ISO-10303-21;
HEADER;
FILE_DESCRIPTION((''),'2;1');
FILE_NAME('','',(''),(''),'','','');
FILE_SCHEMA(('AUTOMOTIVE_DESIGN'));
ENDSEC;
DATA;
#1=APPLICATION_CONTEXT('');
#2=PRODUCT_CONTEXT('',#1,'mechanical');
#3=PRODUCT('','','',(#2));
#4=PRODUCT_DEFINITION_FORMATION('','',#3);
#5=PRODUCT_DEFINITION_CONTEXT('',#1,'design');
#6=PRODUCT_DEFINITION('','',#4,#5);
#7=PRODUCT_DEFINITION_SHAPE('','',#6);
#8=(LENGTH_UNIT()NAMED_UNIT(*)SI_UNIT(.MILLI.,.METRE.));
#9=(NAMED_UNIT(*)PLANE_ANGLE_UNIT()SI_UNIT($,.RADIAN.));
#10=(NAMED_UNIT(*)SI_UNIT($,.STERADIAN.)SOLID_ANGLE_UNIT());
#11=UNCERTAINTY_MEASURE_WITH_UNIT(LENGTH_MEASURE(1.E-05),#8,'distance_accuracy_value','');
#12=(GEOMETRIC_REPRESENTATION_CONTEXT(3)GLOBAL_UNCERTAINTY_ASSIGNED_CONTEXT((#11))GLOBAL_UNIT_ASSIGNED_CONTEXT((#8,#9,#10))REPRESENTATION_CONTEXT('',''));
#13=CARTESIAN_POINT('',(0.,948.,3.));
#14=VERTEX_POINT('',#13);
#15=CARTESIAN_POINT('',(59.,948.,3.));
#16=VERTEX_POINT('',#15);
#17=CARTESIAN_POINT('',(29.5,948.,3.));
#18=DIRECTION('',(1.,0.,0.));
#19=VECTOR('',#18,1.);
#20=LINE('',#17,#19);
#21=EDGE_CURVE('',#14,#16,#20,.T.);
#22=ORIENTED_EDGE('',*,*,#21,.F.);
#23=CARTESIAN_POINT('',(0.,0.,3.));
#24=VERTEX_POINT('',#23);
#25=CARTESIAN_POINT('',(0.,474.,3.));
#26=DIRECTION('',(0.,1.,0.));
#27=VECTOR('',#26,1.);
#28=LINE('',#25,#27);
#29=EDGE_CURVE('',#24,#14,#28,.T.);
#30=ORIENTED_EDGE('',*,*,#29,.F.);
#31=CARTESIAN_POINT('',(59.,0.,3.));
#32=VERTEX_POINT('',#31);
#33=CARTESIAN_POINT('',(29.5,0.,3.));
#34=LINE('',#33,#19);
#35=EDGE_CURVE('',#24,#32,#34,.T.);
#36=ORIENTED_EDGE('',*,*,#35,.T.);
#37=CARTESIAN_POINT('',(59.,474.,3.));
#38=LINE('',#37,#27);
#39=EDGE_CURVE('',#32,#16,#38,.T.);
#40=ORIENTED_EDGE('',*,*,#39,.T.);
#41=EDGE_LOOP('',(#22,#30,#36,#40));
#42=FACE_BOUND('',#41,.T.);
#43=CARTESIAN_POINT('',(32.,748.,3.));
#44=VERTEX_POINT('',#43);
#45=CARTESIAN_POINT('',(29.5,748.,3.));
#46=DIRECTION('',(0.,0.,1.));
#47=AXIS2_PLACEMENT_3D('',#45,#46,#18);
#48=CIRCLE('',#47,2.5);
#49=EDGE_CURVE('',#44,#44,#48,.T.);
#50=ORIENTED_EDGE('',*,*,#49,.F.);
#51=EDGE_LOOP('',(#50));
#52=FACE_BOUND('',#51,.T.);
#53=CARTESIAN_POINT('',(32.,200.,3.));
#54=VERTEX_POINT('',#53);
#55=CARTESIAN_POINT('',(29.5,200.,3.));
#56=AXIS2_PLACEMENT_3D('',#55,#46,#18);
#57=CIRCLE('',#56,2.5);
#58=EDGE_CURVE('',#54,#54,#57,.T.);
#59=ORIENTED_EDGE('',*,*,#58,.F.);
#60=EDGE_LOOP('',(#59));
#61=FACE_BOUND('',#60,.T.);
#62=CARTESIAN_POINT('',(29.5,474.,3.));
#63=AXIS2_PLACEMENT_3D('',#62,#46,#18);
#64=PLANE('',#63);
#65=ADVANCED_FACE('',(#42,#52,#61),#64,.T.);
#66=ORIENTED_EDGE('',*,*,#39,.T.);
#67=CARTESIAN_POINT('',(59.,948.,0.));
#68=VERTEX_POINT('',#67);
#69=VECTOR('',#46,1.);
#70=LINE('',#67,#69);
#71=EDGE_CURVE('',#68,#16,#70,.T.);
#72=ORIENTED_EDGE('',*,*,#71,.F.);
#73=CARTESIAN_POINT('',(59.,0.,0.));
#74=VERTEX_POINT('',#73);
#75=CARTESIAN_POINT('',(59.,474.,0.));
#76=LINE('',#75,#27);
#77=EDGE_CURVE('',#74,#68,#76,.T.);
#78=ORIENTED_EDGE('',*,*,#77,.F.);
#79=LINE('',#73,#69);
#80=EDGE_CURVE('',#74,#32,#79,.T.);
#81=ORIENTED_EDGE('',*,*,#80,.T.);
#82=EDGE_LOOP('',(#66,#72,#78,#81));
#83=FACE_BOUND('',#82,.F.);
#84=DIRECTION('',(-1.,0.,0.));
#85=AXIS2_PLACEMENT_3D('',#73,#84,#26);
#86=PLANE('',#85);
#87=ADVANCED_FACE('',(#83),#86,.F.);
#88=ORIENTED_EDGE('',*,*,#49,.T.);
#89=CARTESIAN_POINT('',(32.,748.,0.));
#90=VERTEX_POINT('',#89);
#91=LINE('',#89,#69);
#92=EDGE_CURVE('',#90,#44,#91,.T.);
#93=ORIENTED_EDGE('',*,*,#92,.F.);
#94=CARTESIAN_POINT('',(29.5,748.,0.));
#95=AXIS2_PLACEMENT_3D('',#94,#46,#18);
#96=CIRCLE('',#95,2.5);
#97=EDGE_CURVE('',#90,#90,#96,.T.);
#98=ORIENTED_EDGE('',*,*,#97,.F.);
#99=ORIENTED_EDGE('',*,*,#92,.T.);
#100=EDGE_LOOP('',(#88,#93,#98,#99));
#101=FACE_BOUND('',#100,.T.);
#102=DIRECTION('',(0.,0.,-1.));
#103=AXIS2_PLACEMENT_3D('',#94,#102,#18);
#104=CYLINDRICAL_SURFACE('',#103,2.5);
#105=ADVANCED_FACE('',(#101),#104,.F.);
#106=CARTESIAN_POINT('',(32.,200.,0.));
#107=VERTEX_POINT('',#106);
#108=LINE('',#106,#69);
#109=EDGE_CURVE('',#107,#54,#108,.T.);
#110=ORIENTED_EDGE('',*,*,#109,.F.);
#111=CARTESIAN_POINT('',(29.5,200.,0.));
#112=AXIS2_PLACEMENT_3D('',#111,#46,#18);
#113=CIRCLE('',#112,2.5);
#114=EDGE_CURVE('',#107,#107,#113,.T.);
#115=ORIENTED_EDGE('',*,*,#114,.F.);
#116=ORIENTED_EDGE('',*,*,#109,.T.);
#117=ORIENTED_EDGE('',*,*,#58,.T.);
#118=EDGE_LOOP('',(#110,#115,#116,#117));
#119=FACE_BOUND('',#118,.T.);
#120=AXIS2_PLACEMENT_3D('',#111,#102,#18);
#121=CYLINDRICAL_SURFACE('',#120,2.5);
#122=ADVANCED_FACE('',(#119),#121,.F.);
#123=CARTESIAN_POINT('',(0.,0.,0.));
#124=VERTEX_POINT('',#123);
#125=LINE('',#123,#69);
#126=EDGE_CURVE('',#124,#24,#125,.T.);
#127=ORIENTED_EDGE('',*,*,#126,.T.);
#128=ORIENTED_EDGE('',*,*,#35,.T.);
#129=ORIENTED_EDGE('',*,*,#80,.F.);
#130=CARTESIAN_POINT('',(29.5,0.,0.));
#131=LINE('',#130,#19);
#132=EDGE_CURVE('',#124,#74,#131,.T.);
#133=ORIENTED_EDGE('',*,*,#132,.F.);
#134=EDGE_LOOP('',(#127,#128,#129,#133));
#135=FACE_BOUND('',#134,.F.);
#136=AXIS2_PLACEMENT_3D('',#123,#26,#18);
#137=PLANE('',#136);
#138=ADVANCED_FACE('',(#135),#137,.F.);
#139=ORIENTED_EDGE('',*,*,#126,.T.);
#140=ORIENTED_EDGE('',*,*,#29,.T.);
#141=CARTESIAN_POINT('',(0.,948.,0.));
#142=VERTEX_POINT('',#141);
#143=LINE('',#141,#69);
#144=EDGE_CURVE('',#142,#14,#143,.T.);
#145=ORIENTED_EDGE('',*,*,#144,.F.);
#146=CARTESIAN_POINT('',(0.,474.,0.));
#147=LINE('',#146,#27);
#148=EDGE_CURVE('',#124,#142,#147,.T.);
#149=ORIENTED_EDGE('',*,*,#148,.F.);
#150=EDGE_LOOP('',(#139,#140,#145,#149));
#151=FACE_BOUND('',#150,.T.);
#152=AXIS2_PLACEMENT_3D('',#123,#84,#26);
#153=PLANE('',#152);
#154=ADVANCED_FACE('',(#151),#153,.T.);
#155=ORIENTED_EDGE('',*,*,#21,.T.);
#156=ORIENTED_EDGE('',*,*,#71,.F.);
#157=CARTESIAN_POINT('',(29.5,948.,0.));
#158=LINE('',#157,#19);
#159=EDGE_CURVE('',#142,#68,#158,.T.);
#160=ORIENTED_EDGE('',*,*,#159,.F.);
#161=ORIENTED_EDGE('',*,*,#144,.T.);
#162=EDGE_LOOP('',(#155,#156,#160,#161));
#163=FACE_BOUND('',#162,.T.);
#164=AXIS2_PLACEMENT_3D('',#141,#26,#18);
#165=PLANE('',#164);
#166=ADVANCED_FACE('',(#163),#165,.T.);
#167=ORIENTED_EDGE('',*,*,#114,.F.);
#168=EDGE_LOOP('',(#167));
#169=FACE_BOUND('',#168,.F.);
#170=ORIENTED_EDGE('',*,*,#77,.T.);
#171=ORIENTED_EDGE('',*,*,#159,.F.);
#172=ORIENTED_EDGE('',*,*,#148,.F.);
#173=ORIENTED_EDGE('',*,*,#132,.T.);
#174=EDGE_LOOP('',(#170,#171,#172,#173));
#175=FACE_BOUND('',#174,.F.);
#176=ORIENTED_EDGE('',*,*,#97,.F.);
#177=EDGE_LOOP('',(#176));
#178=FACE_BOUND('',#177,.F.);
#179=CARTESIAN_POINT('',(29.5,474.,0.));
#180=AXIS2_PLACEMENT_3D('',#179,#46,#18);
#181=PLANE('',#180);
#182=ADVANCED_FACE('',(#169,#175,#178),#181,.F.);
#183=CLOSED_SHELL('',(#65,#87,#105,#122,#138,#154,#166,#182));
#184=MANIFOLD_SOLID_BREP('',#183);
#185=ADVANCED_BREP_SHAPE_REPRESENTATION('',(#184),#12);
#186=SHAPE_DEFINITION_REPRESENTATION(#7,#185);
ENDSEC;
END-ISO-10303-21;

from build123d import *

# Parameters (mm, degrees)
SKETCH_W  = 59
SKETCH_H  = 948
SKETCH_R  = 2.5
PAD_DEPTH = 3


with BuildPart() as part:
    # Sketch → Pad (new body)
    with BuildSketch(Plane.XY):
        with Locations((29.5, 474)):
            Rectangle(SKETCH_W, SKETCH_H)
        with Locations((29.5, 200)):
            Circle(SKETCH_R, mode=Mode.SUBTRACT)
        with Locations((29.5, 748)):
            Circle(SKETCH_R, mode=Mode.SUBTRACT)
    extrude(amount=PAD_DEPTH)


solid = part.part
